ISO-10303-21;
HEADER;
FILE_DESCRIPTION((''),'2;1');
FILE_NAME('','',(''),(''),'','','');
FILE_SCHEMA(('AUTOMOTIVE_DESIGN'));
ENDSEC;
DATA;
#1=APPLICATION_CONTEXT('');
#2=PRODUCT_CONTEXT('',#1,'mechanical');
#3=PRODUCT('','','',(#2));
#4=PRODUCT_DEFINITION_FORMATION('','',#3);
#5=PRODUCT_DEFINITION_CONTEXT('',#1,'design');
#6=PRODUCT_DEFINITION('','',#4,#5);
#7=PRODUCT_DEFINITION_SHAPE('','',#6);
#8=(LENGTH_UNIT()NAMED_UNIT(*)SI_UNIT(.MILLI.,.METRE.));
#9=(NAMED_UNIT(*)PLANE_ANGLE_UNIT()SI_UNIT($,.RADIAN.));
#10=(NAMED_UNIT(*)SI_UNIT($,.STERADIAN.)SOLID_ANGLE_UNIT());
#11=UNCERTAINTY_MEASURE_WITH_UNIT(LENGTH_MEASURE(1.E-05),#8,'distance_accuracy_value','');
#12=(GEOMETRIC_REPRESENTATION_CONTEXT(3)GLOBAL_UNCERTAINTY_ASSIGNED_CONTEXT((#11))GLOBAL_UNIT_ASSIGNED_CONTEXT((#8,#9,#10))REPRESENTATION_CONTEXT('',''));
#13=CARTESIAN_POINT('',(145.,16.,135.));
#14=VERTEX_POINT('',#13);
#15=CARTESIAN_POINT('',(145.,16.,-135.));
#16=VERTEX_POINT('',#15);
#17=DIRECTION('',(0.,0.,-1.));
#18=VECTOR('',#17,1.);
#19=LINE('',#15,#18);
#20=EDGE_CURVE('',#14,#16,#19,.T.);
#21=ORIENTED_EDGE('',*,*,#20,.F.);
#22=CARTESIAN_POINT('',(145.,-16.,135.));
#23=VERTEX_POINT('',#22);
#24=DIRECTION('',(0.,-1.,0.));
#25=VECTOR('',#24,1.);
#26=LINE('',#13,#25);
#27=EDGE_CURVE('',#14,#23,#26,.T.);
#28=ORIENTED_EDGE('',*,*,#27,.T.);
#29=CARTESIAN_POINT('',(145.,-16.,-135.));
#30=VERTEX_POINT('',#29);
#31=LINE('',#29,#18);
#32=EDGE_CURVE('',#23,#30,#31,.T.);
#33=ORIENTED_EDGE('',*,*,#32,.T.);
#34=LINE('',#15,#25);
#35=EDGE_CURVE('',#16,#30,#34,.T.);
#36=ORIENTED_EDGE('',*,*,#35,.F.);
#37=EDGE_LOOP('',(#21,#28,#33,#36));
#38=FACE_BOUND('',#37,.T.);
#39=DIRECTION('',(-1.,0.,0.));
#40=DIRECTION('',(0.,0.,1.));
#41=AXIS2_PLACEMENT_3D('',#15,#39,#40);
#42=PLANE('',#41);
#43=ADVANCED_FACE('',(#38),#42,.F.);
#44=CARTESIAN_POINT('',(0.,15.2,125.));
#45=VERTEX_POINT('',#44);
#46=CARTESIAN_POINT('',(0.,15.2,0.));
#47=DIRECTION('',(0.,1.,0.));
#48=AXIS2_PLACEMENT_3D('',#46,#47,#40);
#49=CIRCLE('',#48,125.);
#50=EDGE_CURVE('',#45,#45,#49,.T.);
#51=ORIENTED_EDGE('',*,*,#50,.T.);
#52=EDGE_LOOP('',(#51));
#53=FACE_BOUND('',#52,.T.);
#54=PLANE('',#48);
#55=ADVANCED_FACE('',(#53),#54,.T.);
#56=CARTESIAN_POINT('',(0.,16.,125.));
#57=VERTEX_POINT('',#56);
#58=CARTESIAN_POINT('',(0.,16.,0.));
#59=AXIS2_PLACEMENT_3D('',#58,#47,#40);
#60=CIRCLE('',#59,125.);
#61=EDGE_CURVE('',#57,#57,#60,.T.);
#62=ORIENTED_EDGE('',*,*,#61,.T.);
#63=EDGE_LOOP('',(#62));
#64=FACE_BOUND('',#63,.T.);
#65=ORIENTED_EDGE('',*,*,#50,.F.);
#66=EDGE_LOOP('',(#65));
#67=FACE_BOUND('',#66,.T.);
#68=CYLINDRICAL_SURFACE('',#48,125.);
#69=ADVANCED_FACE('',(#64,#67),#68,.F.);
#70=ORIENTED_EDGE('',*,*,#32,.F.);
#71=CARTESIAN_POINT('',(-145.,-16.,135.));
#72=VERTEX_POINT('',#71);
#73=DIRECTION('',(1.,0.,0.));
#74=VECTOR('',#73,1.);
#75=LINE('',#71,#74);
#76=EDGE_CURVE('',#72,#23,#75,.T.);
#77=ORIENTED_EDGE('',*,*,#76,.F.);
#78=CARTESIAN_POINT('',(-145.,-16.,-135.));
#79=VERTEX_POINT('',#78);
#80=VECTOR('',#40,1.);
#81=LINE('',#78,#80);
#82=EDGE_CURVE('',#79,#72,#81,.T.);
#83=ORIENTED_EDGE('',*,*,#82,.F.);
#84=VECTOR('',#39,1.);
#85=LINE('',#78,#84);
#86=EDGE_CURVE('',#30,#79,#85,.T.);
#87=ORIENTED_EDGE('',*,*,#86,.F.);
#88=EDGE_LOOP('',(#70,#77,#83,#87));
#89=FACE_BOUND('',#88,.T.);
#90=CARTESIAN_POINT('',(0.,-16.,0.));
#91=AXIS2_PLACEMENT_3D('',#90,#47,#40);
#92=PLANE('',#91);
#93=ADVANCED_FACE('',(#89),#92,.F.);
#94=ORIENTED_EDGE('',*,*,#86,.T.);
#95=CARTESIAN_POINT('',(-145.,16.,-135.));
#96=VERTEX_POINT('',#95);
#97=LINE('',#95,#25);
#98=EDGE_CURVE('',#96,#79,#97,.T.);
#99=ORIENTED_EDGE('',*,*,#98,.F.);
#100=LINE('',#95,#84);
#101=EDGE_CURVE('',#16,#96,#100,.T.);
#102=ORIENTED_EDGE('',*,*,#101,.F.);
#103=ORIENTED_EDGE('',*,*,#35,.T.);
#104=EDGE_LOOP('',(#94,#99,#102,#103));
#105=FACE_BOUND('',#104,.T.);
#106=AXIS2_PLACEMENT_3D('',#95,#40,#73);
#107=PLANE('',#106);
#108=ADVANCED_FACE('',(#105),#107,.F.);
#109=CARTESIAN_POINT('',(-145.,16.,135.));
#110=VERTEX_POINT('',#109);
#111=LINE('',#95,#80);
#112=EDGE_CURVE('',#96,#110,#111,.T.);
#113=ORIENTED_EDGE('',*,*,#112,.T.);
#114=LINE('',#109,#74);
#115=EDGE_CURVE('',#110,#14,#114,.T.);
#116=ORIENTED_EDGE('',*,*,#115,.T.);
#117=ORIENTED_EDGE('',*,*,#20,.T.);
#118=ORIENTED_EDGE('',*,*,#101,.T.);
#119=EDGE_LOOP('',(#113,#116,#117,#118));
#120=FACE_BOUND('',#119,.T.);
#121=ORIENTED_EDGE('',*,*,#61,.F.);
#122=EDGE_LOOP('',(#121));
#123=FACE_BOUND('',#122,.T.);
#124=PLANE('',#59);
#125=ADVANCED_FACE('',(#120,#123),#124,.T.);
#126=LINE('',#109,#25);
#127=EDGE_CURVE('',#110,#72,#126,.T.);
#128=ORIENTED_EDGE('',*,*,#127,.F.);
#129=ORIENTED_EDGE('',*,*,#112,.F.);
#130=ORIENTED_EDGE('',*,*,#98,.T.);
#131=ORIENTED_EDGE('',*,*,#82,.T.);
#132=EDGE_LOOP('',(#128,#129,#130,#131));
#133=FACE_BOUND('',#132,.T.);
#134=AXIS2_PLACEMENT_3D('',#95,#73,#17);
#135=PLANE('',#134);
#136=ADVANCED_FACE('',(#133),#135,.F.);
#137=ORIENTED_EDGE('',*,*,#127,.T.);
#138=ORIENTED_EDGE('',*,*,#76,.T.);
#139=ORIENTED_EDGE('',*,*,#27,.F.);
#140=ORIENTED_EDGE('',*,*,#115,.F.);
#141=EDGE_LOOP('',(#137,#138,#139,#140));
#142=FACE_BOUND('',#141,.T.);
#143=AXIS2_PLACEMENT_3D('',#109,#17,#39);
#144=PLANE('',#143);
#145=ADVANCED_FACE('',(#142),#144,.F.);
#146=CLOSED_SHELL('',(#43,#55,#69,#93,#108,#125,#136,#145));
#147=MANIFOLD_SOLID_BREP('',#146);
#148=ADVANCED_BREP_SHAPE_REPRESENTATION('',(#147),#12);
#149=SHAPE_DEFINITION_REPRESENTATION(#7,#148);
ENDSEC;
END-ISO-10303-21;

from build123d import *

# Parameters (mm, degrees)
SKETCH1_W           = 290
SKETCH1_H           = 270
BOSS_EXTRUDE1_DEPTH = 16
SKETCH2_R           = 125
CUT_EXTRUDE1_DEPTH  = 0.8


with BuildPart() as part:
    # Sketch1 → Boss-Extrude1 (new, symmetric)
    with BuildSketch(Plane(origin=(0, 0, 0), x_dir=(1, 0, 0), z_dir=(0, 1, 0))):
        Rectangle(SKETCH1_W, SKETCH1_H)
    extrude(amount=BOSS_EXTRUDE1_DEPTH, both=True)

    # Sketch2 → Cut-Extrude1 (cut)
    with BuildSketch(Plane(origin=(0, 16, 0), x_dir=(1, 0, 0), z_dir=(0, 1, 0))):
        with Locations(Location((0, 0, 0), (0, 0, 270))):
            Circle(SKETCH2_R)
    extrude(amount=-CUT_EXTRUDE1_DEPTH, mode=Mode.SUBTRACT)


solid = part.part
